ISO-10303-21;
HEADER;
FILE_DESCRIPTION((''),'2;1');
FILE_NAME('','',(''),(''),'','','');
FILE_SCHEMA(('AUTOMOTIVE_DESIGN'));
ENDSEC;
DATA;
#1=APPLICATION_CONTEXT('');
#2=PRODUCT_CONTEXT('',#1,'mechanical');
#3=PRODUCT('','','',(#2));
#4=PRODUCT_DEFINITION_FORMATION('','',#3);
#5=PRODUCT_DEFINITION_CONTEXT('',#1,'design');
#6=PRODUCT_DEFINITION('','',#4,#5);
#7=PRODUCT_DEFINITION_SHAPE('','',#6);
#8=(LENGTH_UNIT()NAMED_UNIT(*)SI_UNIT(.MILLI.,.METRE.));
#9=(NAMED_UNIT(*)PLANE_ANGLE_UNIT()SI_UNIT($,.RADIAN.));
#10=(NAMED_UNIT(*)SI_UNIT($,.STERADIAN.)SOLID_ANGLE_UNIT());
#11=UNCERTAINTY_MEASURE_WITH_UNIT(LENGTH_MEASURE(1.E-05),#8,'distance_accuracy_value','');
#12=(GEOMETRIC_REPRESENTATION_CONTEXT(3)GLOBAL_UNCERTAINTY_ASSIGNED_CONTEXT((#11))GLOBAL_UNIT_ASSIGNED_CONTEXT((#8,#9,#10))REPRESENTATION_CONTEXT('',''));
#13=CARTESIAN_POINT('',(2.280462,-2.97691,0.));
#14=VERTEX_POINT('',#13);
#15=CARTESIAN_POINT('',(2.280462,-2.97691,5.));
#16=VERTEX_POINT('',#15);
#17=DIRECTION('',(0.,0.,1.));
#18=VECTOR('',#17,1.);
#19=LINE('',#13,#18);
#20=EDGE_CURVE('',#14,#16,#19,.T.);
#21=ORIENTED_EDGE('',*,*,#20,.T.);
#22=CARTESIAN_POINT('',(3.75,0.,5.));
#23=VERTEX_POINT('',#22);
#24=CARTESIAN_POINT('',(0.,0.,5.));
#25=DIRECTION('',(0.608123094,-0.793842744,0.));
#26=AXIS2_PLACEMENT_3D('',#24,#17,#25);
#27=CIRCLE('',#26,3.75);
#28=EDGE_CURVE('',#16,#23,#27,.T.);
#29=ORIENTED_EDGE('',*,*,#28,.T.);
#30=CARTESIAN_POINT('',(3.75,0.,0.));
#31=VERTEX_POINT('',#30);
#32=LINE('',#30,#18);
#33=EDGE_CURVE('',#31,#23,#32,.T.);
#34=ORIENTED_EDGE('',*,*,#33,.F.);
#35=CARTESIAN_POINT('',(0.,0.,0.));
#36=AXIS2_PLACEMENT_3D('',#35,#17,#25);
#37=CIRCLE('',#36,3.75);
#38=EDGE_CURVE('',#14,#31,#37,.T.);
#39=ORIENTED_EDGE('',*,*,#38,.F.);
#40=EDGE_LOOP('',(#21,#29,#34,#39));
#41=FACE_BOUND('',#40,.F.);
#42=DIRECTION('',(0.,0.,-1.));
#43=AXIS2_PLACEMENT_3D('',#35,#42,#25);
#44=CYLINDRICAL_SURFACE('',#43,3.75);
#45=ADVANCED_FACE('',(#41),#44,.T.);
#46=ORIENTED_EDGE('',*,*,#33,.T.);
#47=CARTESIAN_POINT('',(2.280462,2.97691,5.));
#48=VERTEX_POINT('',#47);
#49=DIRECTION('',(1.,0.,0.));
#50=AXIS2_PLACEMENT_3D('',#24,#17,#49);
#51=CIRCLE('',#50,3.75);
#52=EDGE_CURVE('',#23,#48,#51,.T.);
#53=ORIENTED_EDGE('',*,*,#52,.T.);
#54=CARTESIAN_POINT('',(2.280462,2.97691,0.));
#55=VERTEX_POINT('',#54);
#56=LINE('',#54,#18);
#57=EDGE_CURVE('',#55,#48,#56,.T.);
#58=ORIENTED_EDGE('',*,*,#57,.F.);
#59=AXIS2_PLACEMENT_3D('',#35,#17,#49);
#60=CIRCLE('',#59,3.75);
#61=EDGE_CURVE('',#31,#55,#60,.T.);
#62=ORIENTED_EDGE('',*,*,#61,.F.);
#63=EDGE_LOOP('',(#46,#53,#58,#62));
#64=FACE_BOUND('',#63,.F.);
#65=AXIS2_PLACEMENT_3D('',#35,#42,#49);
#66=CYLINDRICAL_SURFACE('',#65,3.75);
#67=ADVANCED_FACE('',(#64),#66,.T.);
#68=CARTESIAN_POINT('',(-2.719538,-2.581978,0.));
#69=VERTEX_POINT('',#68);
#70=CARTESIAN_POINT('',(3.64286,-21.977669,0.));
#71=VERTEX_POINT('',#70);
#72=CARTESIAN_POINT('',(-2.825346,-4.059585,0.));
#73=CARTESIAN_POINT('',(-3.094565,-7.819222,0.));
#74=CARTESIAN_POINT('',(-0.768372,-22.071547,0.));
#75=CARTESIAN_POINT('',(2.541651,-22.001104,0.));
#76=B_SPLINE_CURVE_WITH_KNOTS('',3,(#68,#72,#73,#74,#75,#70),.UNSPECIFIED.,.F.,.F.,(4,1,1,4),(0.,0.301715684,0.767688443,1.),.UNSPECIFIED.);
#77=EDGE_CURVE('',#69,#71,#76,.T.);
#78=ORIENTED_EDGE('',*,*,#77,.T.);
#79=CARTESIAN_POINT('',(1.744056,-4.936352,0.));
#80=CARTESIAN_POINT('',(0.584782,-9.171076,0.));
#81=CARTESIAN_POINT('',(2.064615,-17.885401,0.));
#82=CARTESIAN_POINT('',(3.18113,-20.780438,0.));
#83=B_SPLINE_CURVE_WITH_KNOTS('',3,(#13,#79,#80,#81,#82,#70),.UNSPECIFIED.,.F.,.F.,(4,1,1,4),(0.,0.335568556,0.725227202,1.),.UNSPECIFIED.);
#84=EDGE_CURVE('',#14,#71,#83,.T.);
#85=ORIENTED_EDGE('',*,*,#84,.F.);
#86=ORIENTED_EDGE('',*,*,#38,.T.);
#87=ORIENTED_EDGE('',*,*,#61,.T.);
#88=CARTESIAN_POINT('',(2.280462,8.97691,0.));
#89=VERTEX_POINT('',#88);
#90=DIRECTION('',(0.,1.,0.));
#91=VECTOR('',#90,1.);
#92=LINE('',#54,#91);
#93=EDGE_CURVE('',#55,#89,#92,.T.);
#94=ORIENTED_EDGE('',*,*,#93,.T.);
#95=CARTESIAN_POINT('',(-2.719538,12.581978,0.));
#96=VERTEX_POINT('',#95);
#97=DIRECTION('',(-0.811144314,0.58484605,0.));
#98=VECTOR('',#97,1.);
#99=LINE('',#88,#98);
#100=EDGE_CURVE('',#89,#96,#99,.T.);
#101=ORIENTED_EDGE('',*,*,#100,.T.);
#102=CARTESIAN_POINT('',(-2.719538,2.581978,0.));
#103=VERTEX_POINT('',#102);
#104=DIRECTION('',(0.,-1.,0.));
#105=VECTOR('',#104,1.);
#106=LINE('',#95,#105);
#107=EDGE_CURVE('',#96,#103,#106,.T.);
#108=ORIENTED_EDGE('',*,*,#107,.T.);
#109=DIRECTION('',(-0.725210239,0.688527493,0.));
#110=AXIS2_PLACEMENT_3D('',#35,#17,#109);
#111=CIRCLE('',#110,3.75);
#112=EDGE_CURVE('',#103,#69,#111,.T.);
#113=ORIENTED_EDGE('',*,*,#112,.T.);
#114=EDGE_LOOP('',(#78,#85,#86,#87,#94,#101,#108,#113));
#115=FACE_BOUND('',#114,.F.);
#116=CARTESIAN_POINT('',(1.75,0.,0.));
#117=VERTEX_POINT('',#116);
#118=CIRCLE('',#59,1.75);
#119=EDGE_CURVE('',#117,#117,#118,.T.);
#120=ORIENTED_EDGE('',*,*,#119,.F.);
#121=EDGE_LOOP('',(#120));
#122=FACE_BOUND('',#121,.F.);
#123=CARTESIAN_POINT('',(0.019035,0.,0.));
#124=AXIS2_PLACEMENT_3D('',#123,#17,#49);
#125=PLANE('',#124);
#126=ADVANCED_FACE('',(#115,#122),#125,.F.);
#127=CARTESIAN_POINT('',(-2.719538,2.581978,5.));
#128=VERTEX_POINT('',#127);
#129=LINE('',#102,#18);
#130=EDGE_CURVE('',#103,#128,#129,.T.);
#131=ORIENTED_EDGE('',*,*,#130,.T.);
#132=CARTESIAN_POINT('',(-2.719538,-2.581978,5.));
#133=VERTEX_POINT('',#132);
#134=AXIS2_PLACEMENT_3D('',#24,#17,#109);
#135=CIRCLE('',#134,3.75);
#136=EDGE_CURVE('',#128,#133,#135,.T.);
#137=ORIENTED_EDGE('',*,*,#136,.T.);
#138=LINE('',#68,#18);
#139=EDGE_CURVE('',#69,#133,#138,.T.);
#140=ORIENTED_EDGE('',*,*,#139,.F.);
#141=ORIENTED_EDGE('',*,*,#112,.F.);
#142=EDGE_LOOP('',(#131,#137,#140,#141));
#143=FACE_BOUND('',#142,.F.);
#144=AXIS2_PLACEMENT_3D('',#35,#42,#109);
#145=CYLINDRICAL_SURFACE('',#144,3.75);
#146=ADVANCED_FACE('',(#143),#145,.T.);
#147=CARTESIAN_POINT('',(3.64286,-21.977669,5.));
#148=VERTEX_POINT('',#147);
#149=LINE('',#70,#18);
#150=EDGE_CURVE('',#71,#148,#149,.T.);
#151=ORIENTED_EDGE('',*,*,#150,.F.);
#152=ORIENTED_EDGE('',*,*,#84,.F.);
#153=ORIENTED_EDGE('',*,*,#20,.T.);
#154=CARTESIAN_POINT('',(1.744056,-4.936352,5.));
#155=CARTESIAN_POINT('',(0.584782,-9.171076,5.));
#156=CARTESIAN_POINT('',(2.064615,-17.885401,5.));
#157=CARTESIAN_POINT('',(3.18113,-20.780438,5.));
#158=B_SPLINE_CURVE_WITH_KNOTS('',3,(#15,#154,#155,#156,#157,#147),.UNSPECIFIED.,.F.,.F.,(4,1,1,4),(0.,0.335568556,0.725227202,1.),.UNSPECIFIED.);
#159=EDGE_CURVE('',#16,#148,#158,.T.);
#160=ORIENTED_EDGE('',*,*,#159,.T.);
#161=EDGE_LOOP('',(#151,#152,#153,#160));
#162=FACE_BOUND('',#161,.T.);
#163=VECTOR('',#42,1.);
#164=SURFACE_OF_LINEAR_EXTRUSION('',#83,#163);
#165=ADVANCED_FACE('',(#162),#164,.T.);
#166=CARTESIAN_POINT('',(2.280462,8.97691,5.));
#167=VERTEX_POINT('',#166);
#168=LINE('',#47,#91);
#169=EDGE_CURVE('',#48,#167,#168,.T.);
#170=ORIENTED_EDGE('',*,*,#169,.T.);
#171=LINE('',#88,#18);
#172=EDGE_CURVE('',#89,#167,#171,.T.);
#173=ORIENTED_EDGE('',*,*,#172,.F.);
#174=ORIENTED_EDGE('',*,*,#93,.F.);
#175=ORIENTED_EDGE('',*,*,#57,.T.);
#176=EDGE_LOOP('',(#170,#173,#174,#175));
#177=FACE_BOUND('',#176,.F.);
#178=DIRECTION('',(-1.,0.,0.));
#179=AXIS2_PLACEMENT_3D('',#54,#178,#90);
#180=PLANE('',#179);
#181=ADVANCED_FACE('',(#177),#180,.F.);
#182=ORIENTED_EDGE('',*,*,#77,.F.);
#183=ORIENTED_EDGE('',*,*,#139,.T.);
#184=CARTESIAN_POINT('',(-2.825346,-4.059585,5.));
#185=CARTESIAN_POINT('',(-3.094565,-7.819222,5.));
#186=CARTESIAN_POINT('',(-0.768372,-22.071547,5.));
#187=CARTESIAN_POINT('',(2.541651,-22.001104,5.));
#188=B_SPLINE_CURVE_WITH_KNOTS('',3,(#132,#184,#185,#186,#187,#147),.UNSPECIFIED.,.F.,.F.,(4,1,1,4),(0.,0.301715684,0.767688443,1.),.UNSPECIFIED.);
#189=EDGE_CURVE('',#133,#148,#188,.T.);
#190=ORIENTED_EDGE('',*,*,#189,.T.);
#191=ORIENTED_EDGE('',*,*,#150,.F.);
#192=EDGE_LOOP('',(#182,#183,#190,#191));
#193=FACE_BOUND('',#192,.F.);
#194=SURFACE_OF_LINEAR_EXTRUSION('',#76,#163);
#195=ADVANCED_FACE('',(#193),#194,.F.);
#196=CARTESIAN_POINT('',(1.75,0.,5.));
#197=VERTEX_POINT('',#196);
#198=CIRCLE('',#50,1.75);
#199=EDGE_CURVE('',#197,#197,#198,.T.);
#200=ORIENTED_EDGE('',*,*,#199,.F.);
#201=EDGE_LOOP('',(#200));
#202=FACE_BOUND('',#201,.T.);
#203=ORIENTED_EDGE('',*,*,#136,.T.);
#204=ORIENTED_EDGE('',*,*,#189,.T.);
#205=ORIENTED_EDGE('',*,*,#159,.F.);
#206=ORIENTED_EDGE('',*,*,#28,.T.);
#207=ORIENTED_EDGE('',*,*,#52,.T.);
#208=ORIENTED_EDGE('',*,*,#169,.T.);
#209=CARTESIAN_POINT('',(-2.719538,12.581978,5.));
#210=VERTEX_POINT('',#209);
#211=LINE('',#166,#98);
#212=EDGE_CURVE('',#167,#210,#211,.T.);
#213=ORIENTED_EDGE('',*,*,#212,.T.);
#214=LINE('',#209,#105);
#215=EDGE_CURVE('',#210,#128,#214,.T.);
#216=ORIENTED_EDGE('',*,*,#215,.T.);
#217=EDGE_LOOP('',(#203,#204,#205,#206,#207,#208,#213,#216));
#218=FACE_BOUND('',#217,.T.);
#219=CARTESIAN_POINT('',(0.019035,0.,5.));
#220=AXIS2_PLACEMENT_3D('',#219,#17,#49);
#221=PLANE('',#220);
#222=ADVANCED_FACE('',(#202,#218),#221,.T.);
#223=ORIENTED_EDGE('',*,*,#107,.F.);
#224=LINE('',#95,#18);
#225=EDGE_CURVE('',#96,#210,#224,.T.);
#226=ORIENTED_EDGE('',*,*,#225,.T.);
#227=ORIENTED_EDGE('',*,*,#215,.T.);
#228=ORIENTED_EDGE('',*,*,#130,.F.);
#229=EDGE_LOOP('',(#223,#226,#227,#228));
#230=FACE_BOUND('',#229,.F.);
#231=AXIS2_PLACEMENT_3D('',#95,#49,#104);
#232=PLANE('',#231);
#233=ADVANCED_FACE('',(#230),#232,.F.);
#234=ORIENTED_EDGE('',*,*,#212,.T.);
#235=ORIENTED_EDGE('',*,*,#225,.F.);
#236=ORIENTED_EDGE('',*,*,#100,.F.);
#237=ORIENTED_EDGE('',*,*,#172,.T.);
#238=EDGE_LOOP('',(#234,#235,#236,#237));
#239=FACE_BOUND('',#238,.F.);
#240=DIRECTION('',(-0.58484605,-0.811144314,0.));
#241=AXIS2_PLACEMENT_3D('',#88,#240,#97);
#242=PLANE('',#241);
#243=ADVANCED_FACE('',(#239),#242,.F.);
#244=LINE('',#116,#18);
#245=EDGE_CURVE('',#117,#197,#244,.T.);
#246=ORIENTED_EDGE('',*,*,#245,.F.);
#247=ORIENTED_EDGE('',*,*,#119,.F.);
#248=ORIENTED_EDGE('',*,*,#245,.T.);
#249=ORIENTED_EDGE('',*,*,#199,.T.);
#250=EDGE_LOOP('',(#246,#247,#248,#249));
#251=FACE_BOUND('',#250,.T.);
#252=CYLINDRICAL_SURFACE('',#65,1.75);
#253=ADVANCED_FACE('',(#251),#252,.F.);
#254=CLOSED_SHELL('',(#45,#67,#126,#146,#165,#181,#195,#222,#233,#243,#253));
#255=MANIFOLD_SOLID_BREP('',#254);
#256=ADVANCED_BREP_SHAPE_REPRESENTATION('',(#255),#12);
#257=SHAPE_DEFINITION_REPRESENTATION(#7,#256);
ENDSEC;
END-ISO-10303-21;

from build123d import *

# Parameters (mm, degrees)
F0_R     = 1.75
F1_DEPTH = 5


with BuildPart() as f1:
    # F0 (on Top) → F1 (new body)
    with BuildSketch(Plane.XY):
        with BuildLine():
            ThreePointArc((2.2804616019, -2.9769102913), (3.3626054636, -1.659935088), (3.75, 0))
            ThreePointArc((3.75, 0), (3.3626054636, 1.659935088), (2.2804616019, 2.9769102913))
            ThreePointArc((2.2804616019, 2.9769102913), (-0.2952794735, 3.7383565952), (-2.7195383981, 2.5819780985))
            ThreePointArc((-2.7195383981, 2.5819780985), (-3.75, 0), (-2.7195383981, -2.5819780985))
            ThreePointArc((-2.7195383981, -2.5819780985), (-0.2952794735, -3.7383565952), (2.2804616019, -2.9769102913))
        make_face()
        Circle(F0_R, mode=Mode.SUBTRACT)
        with BuildLine():
            ThreePointArc((-2.7195383981, 2.5819780985), (-0.2952794735, 3.7383565952), (2.2804616019, 2.9769102913))
            Line((2.2804616019, 2.9769102913), (2.2804616019, 8.9769102913))
            Line((2.2804616019, 8.9769102913), (-2.7195383981, 12.5819780985))
            Line((-2.7195383981, 12.5819780985), (-2.7195383981, 2.5819780985))
        make_face()
        with BuildLine():
            add(Edge.make_bspline(
                [(2.2804616019, -2.9769102913), (1.744056181, -4.936351945), (0.5847824775, -9.1710764538), (2.0646154613, -17.8854011429), (3.1811298564, -20.7804383175), (3.6428596359, -21.9776686281)],
                knots=[0, 0, 0, 0, 0.335568556, 0.7252272022, 1, 1, 1, 1], degree=3))
            ThreePointArc((2.2804616019, -2.9769102913), (-0.2952794735, -3.7383565952), (-2.7195383981, -2.5819780985))
            add(Edge.make_bspline(
                [(-2.7195383981, -2.5819780985), (-2.8253464383, -4.059584694), (-3.0945654883, -7.8192218928), (-0.7683718295, -22.0715467968), (2.5416511763, -22.0011041323), (3.6428596359, -21.9776686281)],
                knots=[0, 0, 0, 0, 0.3017156836, 0.7676884435, 1, 1, 1, 1], degree=3))
        make_face()
    extrude(amount=F1_DEPTH)


solid = f1.part
